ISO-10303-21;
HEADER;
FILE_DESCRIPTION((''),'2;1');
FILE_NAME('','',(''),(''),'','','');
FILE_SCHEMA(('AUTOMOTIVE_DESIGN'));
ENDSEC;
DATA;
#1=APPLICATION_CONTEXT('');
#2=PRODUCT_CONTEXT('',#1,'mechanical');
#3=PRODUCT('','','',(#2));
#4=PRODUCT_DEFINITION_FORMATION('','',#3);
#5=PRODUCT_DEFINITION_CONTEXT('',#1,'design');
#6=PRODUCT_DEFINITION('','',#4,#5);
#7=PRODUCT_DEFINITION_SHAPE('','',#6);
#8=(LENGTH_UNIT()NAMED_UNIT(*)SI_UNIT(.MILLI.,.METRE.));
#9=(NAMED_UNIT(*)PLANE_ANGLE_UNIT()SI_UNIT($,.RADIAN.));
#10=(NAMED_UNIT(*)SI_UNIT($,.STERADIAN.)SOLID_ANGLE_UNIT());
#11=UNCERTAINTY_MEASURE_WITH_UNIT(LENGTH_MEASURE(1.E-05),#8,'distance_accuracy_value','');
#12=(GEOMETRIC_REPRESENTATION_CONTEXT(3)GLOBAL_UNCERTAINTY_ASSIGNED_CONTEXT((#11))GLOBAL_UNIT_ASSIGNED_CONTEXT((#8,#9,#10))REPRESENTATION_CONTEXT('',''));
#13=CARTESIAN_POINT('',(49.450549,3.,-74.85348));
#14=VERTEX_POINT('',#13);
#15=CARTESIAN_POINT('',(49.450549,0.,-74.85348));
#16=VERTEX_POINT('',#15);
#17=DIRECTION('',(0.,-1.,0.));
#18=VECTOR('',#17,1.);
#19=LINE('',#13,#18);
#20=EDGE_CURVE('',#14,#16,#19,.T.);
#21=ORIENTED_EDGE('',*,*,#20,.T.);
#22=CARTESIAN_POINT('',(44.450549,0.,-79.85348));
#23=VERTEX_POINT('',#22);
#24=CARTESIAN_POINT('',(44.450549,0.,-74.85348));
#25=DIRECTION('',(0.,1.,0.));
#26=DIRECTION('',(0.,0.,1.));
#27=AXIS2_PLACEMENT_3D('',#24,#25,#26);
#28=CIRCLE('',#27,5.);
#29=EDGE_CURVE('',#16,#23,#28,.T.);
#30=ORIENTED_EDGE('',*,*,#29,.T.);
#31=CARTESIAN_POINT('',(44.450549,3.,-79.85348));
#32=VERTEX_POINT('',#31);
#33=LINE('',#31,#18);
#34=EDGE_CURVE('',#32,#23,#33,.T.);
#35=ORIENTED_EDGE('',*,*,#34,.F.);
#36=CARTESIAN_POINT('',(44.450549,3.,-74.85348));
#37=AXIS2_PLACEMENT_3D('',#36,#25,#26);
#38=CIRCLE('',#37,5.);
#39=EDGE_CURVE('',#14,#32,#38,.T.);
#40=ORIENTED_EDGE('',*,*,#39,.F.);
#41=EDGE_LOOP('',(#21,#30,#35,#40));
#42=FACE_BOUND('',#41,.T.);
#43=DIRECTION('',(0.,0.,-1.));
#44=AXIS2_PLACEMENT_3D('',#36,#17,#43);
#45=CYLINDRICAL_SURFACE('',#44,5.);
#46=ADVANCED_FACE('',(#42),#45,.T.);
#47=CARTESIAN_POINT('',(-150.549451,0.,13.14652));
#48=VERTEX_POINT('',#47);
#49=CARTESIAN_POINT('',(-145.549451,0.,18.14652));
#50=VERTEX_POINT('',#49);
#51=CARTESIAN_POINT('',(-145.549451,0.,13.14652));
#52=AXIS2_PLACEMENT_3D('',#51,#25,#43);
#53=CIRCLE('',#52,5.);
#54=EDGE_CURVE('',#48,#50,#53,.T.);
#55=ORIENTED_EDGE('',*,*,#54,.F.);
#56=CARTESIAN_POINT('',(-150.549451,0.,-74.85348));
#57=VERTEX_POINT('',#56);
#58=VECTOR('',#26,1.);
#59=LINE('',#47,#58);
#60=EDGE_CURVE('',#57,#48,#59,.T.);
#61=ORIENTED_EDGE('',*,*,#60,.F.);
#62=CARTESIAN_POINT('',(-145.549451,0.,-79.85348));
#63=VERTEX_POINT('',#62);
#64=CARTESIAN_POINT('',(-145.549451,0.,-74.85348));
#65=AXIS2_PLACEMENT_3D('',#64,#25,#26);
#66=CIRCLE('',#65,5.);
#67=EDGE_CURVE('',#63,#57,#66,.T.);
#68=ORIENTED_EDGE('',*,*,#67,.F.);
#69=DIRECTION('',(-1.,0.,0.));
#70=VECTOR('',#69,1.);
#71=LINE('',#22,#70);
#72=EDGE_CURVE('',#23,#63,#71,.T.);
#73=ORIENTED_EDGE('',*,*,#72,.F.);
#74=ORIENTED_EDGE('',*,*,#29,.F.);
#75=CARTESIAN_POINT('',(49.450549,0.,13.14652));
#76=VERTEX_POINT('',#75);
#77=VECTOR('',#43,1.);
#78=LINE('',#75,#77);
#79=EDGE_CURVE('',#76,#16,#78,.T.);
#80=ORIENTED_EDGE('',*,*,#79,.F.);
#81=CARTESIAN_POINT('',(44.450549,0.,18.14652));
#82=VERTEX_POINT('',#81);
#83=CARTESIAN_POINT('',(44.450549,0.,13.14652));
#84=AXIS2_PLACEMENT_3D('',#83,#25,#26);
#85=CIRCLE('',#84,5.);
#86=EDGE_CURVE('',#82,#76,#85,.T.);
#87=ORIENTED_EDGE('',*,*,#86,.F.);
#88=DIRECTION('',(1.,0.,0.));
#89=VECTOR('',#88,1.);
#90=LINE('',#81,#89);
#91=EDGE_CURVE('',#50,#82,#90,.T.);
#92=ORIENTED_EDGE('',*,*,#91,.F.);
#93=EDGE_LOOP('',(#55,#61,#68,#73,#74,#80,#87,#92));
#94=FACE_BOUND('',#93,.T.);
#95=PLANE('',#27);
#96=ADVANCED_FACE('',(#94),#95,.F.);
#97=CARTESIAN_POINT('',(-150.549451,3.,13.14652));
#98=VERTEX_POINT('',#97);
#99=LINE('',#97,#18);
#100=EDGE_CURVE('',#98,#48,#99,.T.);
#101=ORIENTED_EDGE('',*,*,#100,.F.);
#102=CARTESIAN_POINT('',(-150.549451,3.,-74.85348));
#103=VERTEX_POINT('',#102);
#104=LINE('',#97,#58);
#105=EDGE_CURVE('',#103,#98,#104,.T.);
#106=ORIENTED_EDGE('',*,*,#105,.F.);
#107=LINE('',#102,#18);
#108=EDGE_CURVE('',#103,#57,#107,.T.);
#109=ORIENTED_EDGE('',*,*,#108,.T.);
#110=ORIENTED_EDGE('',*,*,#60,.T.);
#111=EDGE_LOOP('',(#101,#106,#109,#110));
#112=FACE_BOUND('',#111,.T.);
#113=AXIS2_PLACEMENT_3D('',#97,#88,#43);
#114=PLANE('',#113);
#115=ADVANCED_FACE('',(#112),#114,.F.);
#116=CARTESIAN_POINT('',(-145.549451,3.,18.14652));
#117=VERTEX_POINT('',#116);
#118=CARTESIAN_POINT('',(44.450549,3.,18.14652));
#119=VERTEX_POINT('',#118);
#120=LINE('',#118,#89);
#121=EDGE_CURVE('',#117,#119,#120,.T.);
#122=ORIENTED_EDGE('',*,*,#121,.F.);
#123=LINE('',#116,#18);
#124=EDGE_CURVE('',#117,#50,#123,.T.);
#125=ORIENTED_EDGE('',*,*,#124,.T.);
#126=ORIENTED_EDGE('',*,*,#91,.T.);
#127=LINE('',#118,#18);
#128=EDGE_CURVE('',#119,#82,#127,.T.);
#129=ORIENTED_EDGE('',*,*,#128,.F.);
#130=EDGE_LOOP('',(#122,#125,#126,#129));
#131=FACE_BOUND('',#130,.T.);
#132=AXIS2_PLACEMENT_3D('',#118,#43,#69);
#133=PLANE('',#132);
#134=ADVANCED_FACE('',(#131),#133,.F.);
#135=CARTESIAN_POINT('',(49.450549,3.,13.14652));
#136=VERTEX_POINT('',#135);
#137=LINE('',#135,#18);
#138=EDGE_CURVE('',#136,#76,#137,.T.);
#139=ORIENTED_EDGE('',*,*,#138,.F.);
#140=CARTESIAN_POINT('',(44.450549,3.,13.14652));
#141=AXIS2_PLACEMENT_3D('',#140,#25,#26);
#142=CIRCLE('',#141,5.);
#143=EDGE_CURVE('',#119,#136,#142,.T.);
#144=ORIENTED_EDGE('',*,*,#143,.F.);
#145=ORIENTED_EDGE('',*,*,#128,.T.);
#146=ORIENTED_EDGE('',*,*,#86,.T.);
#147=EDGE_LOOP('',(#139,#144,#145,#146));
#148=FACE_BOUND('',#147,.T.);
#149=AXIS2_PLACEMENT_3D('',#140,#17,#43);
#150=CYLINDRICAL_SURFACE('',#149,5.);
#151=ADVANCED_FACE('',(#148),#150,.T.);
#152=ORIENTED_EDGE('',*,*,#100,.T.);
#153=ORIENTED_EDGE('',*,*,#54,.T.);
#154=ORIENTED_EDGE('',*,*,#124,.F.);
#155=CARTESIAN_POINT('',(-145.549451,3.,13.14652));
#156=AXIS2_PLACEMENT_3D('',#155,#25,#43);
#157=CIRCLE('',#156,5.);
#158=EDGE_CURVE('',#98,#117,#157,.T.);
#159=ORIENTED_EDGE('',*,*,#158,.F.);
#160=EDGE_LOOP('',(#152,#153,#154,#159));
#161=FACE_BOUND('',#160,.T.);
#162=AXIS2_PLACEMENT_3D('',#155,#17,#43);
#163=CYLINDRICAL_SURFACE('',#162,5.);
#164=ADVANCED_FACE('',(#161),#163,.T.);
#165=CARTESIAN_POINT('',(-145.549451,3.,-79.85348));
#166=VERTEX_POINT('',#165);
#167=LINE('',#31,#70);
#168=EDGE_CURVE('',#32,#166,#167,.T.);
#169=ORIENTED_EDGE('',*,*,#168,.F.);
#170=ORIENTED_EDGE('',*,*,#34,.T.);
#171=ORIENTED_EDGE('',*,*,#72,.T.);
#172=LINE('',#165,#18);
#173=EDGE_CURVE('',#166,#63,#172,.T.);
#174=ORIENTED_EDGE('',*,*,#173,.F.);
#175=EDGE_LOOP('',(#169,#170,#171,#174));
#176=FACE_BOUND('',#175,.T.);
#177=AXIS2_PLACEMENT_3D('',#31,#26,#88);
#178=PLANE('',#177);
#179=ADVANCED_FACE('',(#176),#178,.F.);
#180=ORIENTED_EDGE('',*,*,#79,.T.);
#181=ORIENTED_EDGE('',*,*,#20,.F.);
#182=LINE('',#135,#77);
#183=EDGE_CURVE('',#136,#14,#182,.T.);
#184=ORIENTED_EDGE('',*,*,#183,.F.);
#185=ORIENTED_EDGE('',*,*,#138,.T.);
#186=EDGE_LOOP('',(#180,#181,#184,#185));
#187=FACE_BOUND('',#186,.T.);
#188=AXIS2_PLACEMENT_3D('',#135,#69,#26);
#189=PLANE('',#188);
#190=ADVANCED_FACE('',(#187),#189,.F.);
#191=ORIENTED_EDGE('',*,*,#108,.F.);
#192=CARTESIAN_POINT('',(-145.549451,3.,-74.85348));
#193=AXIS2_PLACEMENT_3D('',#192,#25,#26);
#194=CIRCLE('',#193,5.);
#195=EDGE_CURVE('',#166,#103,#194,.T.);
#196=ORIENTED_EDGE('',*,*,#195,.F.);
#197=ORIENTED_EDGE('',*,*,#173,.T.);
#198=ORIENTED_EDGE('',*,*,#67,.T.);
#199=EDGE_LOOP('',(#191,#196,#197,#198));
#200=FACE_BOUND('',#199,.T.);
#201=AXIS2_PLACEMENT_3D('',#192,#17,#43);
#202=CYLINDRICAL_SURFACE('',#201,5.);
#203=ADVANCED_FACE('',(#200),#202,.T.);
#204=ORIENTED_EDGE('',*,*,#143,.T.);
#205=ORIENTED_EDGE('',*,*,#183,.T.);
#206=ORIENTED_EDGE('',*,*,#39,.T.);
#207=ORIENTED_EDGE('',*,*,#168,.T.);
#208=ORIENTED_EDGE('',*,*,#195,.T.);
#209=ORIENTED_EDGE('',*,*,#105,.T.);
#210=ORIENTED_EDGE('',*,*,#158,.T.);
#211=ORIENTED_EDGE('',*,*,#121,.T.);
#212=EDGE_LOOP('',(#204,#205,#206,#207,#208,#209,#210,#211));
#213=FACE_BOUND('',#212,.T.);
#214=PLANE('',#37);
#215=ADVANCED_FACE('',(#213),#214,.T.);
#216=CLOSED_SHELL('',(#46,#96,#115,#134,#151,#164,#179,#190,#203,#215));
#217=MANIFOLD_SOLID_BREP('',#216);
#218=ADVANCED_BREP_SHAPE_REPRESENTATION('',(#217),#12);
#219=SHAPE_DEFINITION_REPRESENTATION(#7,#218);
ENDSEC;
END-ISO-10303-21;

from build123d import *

# Parameters (mm, degrees)
BOSS_EXTRUDE1_DEPTH = 3


with BuildPart() as part:
    # Sketch1 → Boss-Extrude1 (new body)
    with BuildSketch(Plane(origin=(0, 0, 0), x_dir=(1, 0, 0), z_dir=(0, 1, 0))):
        with BuildLine():
            Line((44.450549451, -18.146520147), (-145.549450549, -18.146520147))
            ThreePointArc((-145.549450549, -18.146520147), (-149.084984455, -16.682054052), (-150.549450549, -13.146520147))
            Line((-150.549450549, -13.146520147), (-150.549450549, 74.853479853))
            ThreePointArc((-150.549450549, 74.853479853), (-149.084984455, 78.389013759), (-145.549450549, 79.853479853))
            Line((-145.549450549, 79.853479853), (44.450549451, 79.853479853))
            ThreePointArc((44.450549451, 79.853479853), (47.986083356, 78.389013759), (49.450549451, 74.853479853))
            Line((49.450549451, 74.853479853), (49.450549451, -13.146520147))
            ThreePointArc((49.450549451, -13.146520147), (47.986083356, -16.682054052), (44.450549451, -18.146520147))
        make_face()
    extrude(amount=BOSS_EXTRUDE1_DEPTH)


solid = part.part
